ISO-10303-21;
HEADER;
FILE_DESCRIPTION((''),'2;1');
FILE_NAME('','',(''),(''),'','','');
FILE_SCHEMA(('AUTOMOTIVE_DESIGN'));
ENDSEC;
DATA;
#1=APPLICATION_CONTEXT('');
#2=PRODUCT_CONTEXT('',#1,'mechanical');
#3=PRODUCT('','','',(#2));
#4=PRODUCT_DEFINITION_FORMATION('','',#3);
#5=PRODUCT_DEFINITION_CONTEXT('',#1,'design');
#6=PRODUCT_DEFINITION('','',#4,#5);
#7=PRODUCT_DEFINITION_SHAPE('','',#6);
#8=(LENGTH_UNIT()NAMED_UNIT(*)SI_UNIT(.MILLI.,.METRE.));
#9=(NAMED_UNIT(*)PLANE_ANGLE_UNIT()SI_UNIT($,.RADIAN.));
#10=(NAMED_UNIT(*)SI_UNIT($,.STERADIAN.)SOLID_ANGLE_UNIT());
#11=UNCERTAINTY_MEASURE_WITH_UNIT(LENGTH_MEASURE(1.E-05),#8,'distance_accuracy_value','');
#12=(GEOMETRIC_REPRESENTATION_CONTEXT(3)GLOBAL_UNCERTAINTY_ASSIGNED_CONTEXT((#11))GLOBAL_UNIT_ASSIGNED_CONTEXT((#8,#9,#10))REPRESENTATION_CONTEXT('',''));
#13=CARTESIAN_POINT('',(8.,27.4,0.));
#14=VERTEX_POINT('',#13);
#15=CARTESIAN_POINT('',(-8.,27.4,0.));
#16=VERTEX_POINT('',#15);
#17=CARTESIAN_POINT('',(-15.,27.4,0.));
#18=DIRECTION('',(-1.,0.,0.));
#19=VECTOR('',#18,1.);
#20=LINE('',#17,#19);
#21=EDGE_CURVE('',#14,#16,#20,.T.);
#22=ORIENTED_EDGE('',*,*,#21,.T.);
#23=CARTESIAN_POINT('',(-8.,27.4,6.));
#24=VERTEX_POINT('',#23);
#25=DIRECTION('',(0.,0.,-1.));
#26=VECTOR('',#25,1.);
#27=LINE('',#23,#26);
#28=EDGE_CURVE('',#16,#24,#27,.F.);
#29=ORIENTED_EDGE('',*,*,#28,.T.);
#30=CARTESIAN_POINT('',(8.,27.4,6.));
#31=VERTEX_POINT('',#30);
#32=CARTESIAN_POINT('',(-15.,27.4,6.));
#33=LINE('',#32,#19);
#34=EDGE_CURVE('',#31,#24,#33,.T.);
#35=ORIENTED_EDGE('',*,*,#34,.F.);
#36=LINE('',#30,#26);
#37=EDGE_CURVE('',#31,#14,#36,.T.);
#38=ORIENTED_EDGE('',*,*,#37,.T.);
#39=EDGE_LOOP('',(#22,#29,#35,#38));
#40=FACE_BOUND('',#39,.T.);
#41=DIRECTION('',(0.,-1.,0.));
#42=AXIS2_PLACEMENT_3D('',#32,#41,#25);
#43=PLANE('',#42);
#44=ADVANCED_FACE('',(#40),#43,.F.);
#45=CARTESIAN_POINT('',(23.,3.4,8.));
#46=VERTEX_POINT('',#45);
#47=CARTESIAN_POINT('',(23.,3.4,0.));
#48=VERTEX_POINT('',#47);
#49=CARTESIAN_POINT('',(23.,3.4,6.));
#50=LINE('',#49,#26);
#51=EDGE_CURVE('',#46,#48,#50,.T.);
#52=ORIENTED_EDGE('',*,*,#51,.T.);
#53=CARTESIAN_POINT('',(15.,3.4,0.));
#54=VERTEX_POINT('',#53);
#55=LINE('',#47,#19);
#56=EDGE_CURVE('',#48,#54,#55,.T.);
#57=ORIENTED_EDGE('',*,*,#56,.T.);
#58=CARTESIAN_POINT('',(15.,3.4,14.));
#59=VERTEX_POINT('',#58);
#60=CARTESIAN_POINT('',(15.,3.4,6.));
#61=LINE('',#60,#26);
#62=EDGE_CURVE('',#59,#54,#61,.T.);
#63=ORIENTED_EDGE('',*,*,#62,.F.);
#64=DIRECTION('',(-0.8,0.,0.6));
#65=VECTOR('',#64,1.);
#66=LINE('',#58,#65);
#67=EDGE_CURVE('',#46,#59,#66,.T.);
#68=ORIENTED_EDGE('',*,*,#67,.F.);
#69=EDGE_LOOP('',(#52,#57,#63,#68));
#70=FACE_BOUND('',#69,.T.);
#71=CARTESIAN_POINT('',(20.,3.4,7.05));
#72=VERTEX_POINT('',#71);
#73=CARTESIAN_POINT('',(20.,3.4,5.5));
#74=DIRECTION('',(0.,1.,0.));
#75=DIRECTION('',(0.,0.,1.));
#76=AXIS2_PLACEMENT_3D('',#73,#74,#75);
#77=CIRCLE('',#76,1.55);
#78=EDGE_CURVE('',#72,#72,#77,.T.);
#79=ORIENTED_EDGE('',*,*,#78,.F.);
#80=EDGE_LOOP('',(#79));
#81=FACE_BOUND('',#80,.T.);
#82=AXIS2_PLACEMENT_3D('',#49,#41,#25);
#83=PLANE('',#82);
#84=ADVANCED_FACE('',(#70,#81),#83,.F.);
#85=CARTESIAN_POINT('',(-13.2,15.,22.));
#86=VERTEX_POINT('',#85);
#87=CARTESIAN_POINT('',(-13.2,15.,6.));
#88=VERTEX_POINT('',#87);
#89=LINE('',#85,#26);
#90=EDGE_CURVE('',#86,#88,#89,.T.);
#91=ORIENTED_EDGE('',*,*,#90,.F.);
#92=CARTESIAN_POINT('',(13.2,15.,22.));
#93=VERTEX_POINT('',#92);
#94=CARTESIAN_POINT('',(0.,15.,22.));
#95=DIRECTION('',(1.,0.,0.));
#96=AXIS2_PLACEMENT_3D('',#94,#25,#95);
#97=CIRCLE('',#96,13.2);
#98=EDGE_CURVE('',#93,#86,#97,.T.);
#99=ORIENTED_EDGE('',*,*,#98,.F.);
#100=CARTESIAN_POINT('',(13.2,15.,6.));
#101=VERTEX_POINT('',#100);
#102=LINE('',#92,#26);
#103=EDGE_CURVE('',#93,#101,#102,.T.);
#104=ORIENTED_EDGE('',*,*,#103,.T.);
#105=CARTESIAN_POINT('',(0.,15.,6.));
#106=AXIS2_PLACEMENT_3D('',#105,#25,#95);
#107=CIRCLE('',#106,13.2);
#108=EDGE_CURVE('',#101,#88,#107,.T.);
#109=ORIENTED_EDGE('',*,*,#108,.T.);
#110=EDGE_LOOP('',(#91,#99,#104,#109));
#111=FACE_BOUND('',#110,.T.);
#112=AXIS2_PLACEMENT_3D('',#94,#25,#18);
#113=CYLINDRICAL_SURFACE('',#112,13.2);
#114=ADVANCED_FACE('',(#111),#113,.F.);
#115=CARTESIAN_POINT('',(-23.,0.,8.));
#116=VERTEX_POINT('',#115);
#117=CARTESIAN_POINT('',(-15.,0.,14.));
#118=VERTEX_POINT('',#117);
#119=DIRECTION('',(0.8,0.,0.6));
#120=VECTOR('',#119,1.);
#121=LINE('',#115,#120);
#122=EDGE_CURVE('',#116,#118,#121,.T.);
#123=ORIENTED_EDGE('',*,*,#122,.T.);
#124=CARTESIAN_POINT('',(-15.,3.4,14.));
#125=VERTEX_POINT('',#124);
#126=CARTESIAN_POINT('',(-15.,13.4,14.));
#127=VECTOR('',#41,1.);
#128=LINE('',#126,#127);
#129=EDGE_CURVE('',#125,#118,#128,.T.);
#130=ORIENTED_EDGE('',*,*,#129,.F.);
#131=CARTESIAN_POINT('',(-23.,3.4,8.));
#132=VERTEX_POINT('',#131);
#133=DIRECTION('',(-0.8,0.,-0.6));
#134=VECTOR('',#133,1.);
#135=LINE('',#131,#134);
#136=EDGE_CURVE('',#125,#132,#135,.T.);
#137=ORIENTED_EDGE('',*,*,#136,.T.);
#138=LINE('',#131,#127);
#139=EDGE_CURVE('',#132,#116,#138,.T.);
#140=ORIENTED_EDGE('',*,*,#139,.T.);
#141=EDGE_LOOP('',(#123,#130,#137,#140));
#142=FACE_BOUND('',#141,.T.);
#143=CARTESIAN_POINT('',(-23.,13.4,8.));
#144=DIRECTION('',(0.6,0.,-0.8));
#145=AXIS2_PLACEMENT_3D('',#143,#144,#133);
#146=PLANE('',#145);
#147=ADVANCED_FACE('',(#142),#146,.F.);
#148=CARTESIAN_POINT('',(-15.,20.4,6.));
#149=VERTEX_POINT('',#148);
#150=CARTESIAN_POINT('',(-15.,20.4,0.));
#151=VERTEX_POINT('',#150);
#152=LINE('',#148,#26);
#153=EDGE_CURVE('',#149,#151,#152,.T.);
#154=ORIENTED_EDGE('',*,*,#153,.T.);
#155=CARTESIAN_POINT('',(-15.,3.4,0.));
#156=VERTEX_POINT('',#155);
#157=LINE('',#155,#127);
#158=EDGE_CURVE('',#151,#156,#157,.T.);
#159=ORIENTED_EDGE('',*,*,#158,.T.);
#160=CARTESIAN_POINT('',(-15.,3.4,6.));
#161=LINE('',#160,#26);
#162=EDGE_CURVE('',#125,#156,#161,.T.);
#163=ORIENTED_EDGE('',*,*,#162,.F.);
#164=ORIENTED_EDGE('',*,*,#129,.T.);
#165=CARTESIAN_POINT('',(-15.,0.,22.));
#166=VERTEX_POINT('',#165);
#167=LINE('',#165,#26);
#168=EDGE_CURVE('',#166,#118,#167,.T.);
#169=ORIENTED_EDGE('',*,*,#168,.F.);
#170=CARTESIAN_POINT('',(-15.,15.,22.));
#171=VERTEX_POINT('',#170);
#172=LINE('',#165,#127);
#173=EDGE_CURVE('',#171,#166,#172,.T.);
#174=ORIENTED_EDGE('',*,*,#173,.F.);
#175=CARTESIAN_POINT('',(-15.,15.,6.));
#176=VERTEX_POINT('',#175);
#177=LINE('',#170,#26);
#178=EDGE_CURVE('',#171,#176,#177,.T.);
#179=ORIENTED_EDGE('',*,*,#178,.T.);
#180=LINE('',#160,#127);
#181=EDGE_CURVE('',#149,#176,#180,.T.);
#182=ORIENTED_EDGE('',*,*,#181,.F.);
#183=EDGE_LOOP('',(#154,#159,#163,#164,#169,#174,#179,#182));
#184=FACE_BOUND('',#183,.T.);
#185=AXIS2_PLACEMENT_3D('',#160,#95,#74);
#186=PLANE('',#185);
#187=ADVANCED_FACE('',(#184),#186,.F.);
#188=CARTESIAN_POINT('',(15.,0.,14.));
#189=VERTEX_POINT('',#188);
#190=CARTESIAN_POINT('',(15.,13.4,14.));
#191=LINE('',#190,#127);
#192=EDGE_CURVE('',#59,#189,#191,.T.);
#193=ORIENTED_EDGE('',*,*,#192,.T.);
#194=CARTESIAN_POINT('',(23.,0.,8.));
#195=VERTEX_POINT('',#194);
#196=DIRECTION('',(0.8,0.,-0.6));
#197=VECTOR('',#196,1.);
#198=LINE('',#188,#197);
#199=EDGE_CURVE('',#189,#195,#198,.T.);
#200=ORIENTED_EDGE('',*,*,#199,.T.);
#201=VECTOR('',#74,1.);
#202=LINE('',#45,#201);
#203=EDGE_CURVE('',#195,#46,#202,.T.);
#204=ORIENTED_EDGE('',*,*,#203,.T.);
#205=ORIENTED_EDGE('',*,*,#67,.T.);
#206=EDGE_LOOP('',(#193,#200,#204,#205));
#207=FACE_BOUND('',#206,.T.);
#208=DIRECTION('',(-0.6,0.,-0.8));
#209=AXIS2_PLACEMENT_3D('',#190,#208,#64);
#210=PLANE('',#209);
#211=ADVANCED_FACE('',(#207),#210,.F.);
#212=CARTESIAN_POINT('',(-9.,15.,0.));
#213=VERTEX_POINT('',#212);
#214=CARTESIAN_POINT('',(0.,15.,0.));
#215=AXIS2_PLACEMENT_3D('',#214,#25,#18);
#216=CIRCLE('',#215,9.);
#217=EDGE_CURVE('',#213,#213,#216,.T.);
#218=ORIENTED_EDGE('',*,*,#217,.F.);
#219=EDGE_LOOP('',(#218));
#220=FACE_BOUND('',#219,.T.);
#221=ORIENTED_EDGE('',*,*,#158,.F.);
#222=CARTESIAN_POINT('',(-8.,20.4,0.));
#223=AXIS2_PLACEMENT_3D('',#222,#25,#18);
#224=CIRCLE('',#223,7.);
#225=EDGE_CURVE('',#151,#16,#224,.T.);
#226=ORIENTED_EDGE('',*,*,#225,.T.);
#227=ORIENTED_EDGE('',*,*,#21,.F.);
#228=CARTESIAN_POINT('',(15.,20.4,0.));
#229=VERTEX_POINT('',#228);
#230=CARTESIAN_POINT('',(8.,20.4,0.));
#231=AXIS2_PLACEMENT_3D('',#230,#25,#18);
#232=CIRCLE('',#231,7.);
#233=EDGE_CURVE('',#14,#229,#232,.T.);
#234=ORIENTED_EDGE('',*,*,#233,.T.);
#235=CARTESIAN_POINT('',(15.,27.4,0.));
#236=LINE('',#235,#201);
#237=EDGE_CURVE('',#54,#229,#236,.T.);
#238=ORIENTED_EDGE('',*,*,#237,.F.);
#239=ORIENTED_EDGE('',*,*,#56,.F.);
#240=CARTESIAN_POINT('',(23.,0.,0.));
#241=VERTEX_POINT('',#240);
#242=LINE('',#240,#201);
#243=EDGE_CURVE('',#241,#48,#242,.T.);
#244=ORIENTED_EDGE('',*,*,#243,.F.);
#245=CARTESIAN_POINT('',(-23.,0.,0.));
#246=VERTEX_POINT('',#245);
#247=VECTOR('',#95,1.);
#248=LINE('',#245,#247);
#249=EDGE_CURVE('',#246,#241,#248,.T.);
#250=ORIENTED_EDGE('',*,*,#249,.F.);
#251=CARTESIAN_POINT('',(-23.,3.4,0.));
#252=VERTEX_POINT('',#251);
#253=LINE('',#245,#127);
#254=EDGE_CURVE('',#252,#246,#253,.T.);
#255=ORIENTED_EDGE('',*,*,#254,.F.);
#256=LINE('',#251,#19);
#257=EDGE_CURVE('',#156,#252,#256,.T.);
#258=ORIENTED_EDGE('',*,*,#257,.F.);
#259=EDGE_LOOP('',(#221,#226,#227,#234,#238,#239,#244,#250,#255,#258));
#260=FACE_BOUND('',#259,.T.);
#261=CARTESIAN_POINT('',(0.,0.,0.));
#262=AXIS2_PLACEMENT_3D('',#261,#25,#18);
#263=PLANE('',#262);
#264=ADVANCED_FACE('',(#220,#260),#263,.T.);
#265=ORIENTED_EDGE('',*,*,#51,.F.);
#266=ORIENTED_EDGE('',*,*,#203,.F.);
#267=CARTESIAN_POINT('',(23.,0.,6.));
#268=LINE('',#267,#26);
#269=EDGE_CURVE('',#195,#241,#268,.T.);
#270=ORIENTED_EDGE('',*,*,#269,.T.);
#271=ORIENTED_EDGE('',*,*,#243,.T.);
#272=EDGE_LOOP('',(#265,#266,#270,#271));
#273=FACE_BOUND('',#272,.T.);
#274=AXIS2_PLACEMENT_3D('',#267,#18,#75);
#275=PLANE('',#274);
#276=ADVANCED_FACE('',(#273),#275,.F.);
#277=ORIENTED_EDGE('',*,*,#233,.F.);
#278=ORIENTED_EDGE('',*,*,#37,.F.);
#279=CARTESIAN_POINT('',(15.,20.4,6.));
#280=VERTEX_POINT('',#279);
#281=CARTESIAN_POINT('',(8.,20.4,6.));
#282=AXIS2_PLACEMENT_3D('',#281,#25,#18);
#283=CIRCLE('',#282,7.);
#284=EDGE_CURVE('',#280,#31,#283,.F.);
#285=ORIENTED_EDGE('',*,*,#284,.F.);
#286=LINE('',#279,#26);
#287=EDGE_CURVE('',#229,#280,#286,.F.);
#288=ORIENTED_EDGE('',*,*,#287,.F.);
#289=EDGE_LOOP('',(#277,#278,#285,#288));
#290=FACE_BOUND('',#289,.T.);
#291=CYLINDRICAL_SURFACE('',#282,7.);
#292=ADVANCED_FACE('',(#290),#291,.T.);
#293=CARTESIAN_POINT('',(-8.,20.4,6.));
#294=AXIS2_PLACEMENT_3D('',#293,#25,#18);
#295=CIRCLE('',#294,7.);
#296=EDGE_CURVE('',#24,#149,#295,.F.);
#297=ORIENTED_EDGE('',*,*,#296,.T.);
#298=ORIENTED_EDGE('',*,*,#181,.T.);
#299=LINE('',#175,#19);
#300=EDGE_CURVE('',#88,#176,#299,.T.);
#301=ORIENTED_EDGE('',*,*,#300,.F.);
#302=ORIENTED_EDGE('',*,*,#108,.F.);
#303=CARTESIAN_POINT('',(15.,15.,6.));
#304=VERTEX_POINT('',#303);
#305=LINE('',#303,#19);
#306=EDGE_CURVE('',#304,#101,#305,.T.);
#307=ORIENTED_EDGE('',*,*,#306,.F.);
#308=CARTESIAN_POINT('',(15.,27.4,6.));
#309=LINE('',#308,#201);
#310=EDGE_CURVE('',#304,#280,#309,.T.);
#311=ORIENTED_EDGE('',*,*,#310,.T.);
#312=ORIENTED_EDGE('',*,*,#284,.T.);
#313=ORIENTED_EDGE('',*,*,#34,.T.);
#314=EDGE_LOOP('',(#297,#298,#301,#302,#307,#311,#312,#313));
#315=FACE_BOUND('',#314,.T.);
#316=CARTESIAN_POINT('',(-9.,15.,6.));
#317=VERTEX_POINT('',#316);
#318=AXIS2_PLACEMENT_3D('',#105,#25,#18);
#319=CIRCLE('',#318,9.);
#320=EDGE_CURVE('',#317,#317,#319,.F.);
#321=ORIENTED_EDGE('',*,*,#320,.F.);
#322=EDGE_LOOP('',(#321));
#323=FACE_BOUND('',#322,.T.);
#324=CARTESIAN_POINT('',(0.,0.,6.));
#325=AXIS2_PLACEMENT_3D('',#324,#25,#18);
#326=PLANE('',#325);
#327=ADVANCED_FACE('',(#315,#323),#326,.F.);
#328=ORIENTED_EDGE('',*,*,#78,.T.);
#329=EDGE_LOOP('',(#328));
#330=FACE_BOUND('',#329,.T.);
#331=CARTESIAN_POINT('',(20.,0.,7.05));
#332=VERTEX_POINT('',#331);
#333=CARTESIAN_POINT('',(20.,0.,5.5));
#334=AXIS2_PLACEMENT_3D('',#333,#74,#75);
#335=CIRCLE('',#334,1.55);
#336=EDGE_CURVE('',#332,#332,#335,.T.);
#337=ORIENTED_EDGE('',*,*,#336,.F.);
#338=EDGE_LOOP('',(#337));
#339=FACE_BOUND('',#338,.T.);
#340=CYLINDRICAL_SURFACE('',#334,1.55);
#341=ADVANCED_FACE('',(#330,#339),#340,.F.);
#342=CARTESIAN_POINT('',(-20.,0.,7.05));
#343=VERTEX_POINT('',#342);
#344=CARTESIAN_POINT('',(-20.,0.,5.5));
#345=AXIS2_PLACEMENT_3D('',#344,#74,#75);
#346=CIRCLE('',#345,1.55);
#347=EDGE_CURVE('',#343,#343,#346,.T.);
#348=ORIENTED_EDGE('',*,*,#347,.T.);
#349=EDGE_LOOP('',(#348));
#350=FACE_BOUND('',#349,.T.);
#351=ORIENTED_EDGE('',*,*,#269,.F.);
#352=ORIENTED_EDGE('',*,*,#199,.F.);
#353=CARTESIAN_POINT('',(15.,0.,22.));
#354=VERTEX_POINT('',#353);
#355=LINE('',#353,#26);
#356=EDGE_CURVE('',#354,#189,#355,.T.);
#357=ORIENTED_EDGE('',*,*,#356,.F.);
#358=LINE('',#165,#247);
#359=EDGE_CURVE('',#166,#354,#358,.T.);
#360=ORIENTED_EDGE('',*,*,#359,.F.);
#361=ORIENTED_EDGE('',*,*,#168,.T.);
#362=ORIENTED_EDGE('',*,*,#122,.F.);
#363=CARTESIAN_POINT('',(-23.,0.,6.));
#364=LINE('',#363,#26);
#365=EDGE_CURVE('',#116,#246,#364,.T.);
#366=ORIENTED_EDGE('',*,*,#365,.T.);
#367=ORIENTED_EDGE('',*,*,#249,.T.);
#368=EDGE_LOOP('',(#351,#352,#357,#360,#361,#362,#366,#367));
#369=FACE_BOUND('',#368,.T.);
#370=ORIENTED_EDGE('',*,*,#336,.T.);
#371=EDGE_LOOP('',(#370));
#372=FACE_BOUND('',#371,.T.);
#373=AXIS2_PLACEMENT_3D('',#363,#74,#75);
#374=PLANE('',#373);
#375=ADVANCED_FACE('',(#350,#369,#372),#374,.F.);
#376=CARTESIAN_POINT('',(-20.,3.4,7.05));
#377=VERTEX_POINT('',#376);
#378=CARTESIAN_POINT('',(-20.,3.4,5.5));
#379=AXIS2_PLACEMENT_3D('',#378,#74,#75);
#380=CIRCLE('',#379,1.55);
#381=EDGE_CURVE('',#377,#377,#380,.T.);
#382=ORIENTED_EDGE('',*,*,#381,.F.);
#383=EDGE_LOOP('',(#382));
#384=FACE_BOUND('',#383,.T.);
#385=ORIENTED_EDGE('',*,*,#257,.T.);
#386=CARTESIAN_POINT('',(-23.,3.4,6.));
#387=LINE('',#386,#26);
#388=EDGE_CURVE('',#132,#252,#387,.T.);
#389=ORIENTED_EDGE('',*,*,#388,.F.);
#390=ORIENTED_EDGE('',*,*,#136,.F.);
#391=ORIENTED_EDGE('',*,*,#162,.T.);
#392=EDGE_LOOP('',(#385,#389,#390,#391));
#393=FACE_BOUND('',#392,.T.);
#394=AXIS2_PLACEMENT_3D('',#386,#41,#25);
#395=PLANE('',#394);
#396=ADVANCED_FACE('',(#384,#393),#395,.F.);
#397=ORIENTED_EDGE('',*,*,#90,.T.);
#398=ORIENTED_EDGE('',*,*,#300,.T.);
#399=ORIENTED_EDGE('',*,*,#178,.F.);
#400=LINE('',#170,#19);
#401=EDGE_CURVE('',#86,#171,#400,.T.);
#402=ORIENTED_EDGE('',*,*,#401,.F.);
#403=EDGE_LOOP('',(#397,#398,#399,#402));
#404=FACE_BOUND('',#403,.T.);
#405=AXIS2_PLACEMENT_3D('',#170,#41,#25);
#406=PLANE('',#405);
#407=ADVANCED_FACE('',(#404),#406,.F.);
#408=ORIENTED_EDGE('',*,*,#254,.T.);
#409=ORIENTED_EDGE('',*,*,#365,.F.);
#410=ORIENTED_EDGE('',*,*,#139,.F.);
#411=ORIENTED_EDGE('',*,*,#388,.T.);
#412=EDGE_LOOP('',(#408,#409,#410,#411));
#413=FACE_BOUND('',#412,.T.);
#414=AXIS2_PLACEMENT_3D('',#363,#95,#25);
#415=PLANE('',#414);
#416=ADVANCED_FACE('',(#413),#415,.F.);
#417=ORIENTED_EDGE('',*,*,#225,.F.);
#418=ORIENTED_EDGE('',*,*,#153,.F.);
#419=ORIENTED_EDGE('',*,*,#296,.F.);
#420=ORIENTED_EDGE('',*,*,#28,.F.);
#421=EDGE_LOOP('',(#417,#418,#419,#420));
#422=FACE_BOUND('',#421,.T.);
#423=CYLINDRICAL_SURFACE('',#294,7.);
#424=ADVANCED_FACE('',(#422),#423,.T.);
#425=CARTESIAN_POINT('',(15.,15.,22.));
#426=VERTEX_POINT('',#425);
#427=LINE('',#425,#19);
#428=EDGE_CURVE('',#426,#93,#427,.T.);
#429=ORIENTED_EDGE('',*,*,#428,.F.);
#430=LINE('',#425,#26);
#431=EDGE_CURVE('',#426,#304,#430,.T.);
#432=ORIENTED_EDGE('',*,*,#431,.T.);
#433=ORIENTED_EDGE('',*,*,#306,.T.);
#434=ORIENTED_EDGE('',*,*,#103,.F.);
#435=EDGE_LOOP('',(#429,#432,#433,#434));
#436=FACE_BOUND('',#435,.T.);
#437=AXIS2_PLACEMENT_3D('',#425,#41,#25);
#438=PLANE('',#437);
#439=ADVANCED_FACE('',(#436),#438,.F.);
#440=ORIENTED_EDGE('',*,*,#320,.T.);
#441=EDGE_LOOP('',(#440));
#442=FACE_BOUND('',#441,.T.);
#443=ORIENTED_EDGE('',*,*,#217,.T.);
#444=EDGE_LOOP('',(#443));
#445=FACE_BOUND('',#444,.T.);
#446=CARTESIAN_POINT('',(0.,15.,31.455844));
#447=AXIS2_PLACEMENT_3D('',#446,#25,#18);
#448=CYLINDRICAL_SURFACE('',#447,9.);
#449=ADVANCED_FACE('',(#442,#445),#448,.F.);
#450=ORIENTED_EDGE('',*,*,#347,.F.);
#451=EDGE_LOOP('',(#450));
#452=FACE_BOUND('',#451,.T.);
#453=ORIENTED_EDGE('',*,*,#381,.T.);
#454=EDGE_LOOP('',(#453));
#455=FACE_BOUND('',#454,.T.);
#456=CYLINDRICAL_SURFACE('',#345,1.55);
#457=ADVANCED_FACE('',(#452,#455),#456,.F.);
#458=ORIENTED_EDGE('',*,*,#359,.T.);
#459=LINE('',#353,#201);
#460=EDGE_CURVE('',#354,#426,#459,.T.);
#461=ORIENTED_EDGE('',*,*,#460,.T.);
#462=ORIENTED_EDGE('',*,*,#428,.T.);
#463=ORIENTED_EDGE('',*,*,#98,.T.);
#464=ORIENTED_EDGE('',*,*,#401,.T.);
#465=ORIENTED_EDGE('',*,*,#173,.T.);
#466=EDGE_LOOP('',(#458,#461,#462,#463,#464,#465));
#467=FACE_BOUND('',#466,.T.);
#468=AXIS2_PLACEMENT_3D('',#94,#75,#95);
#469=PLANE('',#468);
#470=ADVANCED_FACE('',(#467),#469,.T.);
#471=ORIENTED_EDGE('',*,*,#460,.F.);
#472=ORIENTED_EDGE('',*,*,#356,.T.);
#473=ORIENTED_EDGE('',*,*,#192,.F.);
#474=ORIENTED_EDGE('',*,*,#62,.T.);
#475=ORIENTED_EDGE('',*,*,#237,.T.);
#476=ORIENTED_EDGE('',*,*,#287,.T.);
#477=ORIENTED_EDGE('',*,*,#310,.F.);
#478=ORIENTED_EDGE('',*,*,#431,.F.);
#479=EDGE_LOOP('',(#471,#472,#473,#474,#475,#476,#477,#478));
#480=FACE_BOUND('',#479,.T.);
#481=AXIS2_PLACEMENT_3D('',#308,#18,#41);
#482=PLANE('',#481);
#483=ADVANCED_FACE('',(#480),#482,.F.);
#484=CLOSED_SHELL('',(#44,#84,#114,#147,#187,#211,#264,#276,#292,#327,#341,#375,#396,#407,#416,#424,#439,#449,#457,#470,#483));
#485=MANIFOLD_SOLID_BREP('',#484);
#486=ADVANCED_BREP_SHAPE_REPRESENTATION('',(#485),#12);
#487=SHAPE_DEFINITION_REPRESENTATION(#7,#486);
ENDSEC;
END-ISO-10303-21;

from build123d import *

# Parameters (mm, degrees)
BOSS_EXTRUDE1_DEPTH = 6
SKETCH2_R           = 9
CUT_EXTRUDE1_DEPTH  = 6
FILLET1_R           = 7
BOSS_EXTRUDE2_DEPTH = 16
SKETCH5_W           = 8
SKETCH5_H           = 3.4
BOSS_EXTRUDE3_DEPTH = 2
SKETCH6_R           = 1.55
CUT_EXTRUDE3_DEPTH  = 40.862262856
BOSS_EXTRUDE5_DEPTH = 3.4


with BuildPart() as part:
    # Sketch1 → Boss-Extrude1 (new body)
    with BuildSketch(Plane.XY):
        Polygon((-23, 0), (23, 0), (23, 3.4), (15, 3.4), (15, 27.4), (-15, 27.4), (-15, 3.4), (-23, 3.4), align=None)
    extrude(amount=BOSS_EXTRUDE1_DEPTH)

    # Sketch2 → Cut-Extrude1 (cut)
    with BuildSketch(Plane(origin=(0, 0, 0), x_dir=(-1, 0, 0), z_dir=(0, 0, -1))):
        with Locations((0, 15)):
            Circle(SKETCH2_R)
    extrude(amount=-CUT_EXTRUDE1_DEPTH, mode=Mode.SUBTRACT)

    # Fillet1
    fillet1_edges = [part.edges().sort_by_distance(p)[0] for p in [
        (-15, 27.4, 3),
        (15, 27.4, 3),
    ]]
    fillet(fillet1_edges, radius=FILLET1_R)

    # Sketch4 → Boss-Extrude2 (add)
    with BuildSketch(Plane.XY.offset(6)):
        with BuildLine():
            Line((-15, 0), (15, 0))
            Line((15, 0), (15, 15))
            Line((15, 15), (13.2, 15))
            ThreePointArc((13.2, 15), (0, 1.8), (-13.2, 15))
            Line((-13.2, 15), (-15, 15))
            Line((-15, 15), (-15, 0))
        make_face()
    extrude(amount=BOSS_EXTRUDE2_DEPTH)

    # Sketch5 → Boss-Extrude3 (add)
    with BuildSketch(Plane.XY.offset(6)):
        with Locations((-19, 1.7)):
            Rectangle(SKETCH5_W, SKETCH5_H)
        with Locations((19, 1.7)):
            Rectangle(SKETCH5_W, SKETCH5_H)
    extrude(amount=BOSS_EXTRUDE3_DEPTH)

    # Sketch6 → Cut-Extrude3 (cut, through all)
    with BuildSketch(Plane(origin=(0, 3.4, 0), x_dir=(1, 0, 0), z_dir=(0, 1, 0))):
        with Locations(Location((20, -5.5, 0), (0, 0, 270))):
            Circle(SKETCH6_R)
        with Locations(Location((-20, -5.5, 0), (0, 0, 270))):
            Circle(SKETCH6_R)
    extrude(amount=-CUT_EXTRUDE3_DEPTH, mode=Mode.SUBTRACT)

    # Sketch8 → Boss-Extrude5 (add)
    with BuildSketch(Plane(origin=(0, 0, 0), x_dir=(1, 0, 0), z_dir=(0, 1, 0))):
        Polygon((-23, -8), (-15, -14), (-15, -8), align=None)
        Polygon((15, -14), (23, -8), (15, -8), align=None)
    extrude(amount=BOSS_EXTRUDE5_DEPTH)


solid = part.part
